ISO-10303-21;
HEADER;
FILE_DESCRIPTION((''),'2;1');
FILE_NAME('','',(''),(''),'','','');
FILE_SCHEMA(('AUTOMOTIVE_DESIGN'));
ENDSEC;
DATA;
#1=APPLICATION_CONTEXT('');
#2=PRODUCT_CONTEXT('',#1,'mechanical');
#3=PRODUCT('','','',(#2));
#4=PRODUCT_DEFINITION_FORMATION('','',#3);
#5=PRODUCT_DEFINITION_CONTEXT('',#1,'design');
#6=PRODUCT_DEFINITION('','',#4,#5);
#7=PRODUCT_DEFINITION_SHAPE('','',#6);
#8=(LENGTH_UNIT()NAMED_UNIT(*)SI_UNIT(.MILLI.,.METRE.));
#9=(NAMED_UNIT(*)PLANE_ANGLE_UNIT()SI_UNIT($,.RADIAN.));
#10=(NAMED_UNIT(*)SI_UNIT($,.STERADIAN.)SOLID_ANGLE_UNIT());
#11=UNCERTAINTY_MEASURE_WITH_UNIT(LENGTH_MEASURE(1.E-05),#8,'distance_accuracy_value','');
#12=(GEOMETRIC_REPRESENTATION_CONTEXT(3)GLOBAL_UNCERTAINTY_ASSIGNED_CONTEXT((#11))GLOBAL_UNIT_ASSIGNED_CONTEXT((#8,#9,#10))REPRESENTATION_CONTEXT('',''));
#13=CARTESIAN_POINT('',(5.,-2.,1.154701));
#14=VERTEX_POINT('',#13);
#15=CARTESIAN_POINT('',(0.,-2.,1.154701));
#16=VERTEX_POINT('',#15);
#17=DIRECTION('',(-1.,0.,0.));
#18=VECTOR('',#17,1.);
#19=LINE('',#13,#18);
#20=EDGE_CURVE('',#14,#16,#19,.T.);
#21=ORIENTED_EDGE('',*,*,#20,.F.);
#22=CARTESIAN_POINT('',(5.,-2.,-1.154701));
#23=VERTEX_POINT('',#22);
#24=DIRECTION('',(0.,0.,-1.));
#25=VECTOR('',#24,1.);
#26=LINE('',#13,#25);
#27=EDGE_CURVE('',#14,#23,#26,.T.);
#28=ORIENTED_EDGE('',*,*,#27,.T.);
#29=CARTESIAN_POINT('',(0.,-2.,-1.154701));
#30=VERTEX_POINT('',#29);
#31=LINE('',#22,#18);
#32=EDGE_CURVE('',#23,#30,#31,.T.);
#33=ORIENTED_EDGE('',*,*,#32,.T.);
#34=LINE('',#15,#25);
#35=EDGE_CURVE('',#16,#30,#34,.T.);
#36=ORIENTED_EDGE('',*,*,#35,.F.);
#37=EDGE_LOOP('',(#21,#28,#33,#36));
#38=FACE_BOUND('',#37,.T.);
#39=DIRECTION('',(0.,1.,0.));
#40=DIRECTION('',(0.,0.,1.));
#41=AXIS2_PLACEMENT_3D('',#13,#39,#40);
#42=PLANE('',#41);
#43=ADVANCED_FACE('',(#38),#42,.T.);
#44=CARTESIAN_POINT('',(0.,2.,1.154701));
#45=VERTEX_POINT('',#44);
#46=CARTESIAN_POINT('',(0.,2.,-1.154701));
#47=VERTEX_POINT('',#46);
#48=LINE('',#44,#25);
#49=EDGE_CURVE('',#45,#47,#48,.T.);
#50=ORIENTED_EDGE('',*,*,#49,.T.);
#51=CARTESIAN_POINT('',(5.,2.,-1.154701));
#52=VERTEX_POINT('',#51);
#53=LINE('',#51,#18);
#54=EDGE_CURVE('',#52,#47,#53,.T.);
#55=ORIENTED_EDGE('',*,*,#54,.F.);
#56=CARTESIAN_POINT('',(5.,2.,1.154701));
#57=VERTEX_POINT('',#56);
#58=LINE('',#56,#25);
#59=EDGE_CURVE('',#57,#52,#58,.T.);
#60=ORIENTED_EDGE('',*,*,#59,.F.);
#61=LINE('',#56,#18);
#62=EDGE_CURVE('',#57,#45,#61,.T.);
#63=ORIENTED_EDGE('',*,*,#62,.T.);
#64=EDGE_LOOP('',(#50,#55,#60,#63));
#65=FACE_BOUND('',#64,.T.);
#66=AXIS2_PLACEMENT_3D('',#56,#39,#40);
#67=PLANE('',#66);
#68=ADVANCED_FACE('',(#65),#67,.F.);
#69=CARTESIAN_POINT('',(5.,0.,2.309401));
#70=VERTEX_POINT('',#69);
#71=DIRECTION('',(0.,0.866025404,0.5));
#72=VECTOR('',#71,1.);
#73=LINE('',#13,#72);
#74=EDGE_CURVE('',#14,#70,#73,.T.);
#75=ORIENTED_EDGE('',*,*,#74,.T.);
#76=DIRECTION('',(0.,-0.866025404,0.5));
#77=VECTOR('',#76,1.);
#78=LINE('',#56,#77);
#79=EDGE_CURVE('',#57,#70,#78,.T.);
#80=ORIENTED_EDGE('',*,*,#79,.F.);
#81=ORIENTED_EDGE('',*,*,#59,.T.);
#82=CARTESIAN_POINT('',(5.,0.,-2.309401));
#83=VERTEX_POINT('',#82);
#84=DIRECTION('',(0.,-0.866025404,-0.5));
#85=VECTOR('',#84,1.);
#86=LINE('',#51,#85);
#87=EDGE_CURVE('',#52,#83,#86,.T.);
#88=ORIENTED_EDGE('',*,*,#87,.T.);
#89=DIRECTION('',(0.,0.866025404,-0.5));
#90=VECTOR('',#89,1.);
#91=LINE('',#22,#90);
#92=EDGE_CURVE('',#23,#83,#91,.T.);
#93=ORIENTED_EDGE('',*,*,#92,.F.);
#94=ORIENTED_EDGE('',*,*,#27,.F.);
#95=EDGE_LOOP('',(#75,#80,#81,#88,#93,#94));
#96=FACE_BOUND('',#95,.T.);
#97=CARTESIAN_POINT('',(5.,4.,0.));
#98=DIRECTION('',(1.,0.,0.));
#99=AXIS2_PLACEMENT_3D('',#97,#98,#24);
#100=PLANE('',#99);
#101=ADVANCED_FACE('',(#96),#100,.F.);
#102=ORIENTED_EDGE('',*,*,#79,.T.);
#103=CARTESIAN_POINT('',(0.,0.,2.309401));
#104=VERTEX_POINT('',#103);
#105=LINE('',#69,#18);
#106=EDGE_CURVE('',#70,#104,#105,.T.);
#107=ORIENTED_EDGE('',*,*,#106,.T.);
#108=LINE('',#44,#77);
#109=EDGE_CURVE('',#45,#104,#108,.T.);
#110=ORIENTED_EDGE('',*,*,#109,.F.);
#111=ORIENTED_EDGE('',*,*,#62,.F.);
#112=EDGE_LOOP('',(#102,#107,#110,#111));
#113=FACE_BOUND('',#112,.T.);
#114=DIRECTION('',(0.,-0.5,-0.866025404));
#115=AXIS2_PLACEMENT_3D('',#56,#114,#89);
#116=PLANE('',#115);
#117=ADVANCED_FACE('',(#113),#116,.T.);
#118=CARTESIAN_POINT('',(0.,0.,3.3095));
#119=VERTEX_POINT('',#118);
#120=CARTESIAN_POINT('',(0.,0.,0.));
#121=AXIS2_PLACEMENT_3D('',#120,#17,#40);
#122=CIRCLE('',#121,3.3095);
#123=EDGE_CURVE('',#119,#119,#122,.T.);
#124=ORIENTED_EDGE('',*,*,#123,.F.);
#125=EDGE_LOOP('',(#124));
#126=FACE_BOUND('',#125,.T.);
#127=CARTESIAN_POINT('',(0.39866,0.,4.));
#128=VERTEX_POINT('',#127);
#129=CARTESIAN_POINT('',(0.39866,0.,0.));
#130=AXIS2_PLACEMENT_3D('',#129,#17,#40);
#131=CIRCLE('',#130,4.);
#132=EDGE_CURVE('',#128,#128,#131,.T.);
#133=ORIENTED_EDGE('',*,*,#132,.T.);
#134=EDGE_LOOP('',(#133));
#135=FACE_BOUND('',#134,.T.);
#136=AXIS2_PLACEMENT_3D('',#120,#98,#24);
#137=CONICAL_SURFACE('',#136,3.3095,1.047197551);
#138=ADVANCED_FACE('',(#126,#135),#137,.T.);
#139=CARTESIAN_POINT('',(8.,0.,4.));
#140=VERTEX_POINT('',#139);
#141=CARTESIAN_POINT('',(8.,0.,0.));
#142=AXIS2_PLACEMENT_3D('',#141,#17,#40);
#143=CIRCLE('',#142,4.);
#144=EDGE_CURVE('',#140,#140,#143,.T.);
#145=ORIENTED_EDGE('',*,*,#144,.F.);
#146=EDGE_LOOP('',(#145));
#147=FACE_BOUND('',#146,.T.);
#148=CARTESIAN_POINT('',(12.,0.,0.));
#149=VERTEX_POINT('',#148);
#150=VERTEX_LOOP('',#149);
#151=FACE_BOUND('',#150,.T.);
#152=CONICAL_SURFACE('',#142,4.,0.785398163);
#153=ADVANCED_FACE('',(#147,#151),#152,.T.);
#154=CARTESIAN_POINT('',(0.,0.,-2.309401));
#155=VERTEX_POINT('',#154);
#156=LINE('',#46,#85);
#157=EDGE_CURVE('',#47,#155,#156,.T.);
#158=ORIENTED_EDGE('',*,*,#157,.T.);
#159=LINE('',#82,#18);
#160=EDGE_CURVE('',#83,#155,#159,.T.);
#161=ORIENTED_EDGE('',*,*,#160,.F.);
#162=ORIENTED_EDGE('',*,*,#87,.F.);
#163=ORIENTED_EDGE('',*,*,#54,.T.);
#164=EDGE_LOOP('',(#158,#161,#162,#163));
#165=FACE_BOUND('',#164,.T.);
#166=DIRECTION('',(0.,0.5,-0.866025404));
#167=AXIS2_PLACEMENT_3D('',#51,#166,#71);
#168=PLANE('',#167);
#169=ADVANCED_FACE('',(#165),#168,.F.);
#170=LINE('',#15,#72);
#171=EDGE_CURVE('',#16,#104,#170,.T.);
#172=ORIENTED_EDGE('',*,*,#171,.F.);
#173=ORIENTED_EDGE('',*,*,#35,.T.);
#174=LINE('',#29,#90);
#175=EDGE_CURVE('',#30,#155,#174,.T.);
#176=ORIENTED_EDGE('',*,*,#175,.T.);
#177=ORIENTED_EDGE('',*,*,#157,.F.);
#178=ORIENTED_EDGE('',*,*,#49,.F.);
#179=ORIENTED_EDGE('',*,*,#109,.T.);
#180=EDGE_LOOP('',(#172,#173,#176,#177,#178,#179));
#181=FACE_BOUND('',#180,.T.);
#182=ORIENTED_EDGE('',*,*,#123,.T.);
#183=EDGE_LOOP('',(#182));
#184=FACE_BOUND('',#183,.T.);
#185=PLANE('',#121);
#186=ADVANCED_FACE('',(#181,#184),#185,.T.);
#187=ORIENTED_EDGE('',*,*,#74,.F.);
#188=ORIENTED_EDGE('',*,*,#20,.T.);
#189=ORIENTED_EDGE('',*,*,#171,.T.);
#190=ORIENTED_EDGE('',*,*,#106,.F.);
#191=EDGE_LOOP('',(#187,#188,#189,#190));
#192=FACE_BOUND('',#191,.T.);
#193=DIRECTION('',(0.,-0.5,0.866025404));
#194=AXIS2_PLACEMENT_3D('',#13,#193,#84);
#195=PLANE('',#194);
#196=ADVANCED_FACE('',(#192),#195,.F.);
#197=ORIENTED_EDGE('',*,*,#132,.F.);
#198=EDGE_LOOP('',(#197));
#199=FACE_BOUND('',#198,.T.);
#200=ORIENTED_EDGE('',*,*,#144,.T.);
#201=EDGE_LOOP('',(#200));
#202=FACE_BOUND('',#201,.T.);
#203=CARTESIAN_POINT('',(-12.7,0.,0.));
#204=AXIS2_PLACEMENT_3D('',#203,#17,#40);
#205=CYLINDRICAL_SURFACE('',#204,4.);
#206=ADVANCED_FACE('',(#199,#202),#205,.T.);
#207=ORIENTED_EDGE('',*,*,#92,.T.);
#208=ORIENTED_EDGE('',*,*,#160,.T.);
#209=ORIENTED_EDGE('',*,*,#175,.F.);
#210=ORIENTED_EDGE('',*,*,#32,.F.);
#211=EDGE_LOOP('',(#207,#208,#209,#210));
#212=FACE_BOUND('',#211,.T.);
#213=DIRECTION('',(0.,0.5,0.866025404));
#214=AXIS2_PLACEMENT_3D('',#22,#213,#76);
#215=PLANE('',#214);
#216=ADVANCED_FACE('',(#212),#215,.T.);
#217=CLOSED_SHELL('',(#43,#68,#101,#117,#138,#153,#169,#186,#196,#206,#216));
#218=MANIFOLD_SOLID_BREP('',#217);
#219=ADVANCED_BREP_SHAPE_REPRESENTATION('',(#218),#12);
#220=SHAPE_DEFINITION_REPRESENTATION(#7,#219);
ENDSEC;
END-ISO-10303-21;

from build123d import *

# Parameters (mm, degrees)
HEX_2_DEPTH = 5


with BuildPart() as part:
    # BodySke → BaseBody (revolve)
    with BuildSketch(Plane.XY, mode=Mode.PRIVATE) as basebody_sk:
        Polygon((0, 0), (0, 3.3095), (0.398660361, 4), (8, 4), (12, 0), align=None)
    revolve(basebody_sk.sketch.rotate(Axis((-12.7, 0, 0), (1, 0, 0)), 90), axis=Axis((-12.7, 0, 0), (1, 0, 0)))

    # Sketch2 → Hex 2 (cut)
    with BuildSketch(Plane.ZY):
        Polygon((1.154700538, 2), (-1.154700538, 2), (-2.309401077, 0), (-1.154700538, -2), (1.154700538, -2), (2.309401077, 0), align=None)
    extrude(amount=-HEX_2_DEPTH, mode=Mode.SUBTRACT)


solid = part.part
